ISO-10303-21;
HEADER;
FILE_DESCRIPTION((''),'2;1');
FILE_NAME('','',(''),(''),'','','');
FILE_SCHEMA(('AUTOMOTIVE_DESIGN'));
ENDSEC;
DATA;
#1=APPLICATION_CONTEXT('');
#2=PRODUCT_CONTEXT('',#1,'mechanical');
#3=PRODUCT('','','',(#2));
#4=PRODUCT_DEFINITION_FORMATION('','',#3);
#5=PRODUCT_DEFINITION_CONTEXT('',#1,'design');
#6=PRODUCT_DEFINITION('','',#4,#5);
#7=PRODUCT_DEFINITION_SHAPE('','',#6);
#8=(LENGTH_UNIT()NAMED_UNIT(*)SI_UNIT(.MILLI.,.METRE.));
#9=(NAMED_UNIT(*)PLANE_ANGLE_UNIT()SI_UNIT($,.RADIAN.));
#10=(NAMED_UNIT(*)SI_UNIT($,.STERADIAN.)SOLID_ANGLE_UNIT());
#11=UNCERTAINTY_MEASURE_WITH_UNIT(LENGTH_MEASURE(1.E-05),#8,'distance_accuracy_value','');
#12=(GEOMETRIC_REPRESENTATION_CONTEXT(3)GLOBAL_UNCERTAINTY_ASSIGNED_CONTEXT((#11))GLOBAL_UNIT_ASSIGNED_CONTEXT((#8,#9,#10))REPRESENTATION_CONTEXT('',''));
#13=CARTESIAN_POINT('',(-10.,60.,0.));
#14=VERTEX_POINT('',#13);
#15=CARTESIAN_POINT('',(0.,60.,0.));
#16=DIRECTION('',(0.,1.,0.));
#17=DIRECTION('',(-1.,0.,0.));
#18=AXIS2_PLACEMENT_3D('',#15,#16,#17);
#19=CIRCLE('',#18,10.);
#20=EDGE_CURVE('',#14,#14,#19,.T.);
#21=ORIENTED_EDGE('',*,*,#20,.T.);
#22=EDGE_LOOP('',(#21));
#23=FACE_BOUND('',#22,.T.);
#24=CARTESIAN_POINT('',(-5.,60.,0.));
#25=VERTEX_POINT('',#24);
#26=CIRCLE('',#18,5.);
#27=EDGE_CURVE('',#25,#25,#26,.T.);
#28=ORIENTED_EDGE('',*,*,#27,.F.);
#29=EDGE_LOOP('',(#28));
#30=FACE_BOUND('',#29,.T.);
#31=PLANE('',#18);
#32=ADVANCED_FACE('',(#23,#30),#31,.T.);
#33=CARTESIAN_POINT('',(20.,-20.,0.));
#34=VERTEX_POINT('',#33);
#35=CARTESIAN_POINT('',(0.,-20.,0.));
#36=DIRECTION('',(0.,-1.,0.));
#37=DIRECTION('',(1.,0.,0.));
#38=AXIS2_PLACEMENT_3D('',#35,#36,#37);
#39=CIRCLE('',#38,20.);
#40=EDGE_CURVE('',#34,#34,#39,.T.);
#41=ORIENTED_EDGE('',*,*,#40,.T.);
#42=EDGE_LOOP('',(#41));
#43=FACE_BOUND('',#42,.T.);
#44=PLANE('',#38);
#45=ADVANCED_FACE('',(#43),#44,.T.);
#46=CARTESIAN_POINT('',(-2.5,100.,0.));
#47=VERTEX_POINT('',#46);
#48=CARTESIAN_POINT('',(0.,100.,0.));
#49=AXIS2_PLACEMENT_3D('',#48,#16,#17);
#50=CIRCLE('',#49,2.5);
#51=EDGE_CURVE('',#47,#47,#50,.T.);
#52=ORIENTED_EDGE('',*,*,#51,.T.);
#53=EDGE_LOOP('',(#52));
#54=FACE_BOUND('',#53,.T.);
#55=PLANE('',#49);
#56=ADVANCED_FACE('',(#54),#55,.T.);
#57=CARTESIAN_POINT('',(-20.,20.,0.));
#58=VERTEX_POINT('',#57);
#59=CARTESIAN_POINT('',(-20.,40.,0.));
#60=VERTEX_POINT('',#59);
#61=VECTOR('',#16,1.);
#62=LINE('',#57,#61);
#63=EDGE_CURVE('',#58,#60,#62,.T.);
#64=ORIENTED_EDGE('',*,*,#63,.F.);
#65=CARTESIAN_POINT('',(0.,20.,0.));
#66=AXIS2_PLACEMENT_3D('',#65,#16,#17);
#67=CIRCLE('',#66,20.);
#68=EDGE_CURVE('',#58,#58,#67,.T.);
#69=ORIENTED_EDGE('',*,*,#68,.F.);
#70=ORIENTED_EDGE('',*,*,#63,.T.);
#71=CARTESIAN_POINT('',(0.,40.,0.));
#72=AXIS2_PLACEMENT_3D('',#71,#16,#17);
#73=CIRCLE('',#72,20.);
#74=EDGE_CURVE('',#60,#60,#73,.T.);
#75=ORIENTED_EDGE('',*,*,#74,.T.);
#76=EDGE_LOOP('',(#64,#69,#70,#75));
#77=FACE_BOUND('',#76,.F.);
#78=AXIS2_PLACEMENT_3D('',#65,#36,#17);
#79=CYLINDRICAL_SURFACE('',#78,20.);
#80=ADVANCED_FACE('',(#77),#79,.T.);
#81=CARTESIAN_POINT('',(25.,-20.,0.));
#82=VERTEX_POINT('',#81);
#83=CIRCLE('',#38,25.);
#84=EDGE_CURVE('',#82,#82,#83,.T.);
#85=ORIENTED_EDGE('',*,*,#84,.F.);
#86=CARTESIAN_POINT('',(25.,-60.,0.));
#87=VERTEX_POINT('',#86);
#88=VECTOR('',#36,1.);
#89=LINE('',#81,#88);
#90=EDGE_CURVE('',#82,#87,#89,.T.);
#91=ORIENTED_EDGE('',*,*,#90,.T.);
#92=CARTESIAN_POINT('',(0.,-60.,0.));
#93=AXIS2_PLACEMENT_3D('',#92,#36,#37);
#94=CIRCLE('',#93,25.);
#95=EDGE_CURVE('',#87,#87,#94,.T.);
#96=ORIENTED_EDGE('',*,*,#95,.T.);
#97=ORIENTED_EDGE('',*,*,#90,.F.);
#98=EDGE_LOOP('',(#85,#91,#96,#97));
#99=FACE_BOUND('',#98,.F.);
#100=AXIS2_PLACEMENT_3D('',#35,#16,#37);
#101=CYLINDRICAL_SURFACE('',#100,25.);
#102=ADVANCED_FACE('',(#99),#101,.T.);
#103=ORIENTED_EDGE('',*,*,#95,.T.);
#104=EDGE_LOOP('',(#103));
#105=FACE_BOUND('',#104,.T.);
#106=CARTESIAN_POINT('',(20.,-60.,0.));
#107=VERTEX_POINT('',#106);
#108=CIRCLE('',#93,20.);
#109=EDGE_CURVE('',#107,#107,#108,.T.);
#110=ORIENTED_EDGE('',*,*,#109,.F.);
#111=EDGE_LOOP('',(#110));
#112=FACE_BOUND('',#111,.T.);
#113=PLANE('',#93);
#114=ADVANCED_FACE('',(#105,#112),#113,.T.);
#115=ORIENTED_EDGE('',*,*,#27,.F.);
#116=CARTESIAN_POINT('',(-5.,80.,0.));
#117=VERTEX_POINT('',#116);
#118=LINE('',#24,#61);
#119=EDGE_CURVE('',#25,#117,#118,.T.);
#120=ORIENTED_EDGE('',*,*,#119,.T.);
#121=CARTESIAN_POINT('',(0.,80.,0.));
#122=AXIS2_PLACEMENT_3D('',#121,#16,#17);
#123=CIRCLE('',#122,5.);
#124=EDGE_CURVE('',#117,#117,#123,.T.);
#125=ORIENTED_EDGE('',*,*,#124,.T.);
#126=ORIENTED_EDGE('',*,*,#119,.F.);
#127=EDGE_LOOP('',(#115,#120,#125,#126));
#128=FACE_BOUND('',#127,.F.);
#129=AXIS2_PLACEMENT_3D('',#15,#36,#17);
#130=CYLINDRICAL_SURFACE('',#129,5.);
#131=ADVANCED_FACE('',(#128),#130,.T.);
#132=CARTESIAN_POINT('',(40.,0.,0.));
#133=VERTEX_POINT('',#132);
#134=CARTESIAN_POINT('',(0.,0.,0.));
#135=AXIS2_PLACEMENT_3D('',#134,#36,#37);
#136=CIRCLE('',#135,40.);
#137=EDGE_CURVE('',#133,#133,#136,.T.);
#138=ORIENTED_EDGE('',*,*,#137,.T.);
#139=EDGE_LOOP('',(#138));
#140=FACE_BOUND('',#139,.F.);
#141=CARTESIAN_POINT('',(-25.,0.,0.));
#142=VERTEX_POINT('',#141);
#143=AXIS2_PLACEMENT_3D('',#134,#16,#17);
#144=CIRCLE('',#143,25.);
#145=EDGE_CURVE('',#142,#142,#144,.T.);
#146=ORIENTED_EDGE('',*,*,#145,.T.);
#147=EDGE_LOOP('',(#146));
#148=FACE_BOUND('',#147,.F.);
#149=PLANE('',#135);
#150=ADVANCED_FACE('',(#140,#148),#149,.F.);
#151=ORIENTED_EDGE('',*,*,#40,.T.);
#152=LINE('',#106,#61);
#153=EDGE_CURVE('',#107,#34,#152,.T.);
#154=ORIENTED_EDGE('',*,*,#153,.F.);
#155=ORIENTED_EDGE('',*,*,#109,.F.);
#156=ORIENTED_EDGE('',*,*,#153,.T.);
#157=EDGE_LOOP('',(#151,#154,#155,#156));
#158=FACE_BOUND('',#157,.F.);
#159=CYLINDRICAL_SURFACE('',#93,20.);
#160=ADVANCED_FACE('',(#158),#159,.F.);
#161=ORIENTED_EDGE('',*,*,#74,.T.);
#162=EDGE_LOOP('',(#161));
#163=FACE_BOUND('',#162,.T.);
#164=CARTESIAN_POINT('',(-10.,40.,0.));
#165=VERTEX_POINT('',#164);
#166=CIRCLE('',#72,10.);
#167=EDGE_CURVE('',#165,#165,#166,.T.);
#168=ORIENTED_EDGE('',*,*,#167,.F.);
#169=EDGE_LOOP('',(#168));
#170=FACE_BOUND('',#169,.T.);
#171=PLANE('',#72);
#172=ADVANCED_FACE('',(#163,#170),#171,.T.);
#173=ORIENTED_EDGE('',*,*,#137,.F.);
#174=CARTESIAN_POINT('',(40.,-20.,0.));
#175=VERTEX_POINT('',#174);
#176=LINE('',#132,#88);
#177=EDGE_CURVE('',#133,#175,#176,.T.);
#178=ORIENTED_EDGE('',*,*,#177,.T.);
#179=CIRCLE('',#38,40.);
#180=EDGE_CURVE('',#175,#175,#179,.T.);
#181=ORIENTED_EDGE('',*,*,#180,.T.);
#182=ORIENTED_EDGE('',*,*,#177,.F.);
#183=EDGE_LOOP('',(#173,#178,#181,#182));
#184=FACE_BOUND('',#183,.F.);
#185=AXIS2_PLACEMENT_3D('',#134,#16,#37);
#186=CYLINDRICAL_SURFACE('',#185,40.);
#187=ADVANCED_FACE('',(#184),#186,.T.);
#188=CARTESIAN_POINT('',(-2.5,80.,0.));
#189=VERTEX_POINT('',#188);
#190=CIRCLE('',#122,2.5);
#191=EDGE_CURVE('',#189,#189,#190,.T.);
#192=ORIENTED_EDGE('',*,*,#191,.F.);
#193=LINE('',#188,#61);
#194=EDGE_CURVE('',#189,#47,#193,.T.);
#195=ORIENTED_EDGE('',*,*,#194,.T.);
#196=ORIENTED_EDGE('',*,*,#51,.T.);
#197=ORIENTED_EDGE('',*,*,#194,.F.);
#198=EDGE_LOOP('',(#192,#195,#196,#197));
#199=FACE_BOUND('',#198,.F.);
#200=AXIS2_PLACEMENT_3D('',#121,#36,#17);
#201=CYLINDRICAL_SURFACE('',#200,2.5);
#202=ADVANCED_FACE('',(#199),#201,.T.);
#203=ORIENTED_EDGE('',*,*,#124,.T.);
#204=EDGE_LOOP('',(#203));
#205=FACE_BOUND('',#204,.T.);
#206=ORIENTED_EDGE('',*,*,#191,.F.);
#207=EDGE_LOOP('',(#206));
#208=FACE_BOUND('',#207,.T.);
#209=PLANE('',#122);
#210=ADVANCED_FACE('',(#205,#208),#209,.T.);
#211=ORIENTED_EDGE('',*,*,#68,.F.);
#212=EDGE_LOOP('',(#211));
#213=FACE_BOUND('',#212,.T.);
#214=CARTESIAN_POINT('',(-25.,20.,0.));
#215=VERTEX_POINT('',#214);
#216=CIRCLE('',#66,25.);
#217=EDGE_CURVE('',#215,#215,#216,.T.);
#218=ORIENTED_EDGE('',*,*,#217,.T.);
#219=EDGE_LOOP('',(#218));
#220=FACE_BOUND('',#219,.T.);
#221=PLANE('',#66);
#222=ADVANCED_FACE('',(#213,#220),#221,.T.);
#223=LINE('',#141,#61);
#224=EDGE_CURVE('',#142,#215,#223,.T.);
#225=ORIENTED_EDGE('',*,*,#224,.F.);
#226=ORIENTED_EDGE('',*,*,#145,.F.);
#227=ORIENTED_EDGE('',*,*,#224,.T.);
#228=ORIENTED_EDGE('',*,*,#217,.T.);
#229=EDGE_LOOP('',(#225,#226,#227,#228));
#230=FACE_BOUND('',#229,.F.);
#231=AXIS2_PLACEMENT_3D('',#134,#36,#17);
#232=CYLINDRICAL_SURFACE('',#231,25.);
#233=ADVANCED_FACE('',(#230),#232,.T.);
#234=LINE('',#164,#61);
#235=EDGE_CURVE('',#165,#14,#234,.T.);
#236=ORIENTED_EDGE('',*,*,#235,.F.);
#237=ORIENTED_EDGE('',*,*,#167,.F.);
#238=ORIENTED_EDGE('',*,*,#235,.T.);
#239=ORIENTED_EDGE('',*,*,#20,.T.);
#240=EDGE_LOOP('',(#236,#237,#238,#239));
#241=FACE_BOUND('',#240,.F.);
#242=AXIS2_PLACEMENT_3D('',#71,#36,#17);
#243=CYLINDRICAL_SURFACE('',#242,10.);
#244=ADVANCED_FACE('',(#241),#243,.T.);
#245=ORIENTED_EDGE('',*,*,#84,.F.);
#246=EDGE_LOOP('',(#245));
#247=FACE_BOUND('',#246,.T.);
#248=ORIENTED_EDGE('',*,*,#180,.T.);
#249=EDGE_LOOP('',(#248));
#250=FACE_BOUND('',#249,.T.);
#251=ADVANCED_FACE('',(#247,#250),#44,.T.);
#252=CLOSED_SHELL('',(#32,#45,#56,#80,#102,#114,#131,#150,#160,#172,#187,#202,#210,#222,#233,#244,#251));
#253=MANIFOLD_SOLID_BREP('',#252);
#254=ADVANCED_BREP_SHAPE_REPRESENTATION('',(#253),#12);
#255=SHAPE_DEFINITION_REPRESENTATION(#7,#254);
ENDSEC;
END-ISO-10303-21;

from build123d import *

# Parameters (mm, degrees)
F0_R      = 40
F1_DEPTH  = 20
F2_R      = 25
F3_DEPTH  = 40
F4_R      = 20
F5_DEPTH  = 40
F6_R      = 25
F7_DEPTH  = 20
F8_R      = 20
F9_DEPTH  = 20
F11_R     = 10
F12_DEPTH = 20
F13_R     = 5
F14_DEPTH = 20
F15_R     = 2.5
F16_DEPTH = 20


with BuildPart() as f1:
    # F0 (on Front) → F1 (new body)
    with BuildSketch(Plane.XZ):
        Circle(F0_R)
    extrude(amount=F1_DEPTH)

    # F2 (on face) → F3 (join)
    with BuildSketch(Plane.XZ.offset(20)):
        Circle(F2_R)
    extrude(amount=F3_DEPTH)

    # F4 (on face) → F5 (cut)
    with BuildSketch(Plane.XZ.offset(60)):
        Circle(F4_R)
    extrude(amount=-F5_DEPTH, mode=Mode.SUBTRACT)

    # F6 (on face) → F7 (join)
    with BuildSketch(Plane(origin=(0, 0, 0), x_dir=(-1, 0, 0), z_dir=(0, 1, 0))):
        Circle(F6_R)
    extrude(amount=F7_DEPTH)

    # F8 (on face) → F9 (join)
    with BuildSketch(Plane(origin=(0, 20, 0), x_dir=(-1, 0, 0), z_dir=(0, 1, 0))):
        Circle(F8_R)
    extrude(amount=F9_DEPTH)

    # F11 (on face) → F12 (join)
    with BuildSketch(Plane(origin=(0, 40, 0), x_dir=(-1, 0, 0), z_dir=(0, 1, 0))):
        Circle(F11_R)
    extrude(amount=F12_DEPTH)

    # F13 (on face) → F14 (join)
    with BuildSketch(Plane(origin=(0, 60, 0), x_dir=(-1, 0, 0), z_dir=(0, 1, 0))):
        Circle(F13_R)
    extrude(amount=F14_DEPTH)

    # F15 (on face) → F16 (join)
    with BuildSketch(Plane(origin=(0, 80, 0), x_dir=(-1, 0, 0), z_dir=(0, 1, 0))):
        Circle(F15_R)
    extrude(amount=F16_DEPTH)


solid = f1.part
